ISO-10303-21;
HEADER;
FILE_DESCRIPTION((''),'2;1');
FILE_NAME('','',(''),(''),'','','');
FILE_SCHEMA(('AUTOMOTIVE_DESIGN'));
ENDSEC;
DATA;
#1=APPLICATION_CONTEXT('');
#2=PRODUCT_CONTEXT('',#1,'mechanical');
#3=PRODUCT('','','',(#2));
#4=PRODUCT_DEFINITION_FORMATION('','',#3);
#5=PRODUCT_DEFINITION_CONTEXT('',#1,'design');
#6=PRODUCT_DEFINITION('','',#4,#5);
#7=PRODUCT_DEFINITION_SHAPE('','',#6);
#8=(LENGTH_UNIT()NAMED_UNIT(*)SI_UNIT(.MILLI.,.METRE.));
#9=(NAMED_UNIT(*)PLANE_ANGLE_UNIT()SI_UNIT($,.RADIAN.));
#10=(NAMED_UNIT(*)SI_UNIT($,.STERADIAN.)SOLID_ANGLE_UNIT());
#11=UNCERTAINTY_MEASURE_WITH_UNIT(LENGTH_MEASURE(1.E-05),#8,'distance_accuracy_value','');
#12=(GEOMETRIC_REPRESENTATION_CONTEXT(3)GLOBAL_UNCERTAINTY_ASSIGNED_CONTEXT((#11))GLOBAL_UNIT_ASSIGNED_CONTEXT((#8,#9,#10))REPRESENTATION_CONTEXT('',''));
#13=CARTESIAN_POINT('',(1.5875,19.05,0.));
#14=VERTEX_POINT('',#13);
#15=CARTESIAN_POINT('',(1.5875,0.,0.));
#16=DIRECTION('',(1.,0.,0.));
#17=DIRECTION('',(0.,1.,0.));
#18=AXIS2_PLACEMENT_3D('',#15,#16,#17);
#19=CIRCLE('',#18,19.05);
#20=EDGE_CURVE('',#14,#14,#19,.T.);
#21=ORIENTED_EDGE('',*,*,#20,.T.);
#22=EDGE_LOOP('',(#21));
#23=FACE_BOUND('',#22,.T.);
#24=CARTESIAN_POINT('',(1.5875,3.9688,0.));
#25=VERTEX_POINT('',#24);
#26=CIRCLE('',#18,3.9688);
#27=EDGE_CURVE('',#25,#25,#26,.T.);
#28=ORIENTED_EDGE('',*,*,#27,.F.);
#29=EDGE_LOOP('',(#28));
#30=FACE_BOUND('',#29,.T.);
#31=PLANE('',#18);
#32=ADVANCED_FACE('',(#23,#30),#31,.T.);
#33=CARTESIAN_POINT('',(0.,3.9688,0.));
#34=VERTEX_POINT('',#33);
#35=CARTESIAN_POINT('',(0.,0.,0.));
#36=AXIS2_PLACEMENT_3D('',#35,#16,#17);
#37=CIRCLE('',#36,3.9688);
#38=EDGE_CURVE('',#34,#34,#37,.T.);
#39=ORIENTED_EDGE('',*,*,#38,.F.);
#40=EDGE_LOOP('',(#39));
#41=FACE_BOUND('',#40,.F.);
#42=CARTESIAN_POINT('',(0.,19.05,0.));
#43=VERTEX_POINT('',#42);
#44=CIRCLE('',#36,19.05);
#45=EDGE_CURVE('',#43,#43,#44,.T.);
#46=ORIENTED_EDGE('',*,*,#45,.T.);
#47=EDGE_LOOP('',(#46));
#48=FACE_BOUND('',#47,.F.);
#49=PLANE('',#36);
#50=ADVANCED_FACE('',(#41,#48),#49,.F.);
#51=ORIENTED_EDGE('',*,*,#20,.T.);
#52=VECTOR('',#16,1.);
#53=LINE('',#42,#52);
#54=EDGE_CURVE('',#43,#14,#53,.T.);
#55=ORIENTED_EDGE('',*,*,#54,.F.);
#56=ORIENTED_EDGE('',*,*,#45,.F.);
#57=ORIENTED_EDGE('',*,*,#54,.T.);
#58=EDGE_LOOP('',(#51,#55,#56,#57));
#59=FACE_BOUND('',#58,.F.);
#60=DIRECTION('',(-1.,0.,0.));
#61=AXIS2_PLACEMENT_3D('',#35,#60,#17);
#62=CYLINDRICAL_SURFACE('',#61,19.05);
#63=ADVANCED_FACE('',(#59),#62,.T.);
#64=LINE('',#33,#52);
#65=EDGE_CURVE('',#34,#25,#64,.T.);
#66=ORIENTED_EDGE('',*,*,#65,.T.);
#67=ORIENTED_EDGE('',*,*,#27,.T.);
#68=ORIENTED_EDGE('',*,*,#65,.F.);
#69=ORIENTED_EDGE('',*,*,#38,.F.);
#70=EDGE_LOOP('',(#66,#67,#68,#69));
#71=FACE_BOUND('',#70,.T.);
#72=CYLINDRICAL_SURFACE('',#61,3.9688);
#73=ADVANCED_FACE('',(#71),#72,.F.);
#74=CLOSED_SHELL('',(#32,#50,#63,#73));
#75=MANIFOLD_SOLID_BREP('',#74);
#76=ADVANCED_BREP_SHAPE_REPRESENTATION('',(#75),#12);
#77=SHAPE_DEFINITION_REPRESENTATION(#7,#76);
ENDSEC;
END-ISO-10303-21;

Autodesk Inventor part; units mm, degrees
ref_plane "YZ Plane" through (0, 0, 0) normal (1, 0, 0) x (0, 1, 0)
ref_plane "XZ Plane" through (0, 0, 0) normal (0, 1, 0) x (-1, 0, 0)
ref_plane "XY Plane" through (0, 0, 0) normal (0, 0, 1) x (1, 0, 0)
sketch "Sketch1" plane through (0, 0, 0) normal (1, 0, 0) x (0, 1, 0)
  circle A0 centre (0, 0) radius 3.9688
  circle A1 centre (0, 0) radius 19.05
  dimension "d0" = 7.9375
  dimension "d1" = 38.1
extrude "Extrusion1" add sketch "Sketch1" along normal blind 1.5875
properties part number "washer"
